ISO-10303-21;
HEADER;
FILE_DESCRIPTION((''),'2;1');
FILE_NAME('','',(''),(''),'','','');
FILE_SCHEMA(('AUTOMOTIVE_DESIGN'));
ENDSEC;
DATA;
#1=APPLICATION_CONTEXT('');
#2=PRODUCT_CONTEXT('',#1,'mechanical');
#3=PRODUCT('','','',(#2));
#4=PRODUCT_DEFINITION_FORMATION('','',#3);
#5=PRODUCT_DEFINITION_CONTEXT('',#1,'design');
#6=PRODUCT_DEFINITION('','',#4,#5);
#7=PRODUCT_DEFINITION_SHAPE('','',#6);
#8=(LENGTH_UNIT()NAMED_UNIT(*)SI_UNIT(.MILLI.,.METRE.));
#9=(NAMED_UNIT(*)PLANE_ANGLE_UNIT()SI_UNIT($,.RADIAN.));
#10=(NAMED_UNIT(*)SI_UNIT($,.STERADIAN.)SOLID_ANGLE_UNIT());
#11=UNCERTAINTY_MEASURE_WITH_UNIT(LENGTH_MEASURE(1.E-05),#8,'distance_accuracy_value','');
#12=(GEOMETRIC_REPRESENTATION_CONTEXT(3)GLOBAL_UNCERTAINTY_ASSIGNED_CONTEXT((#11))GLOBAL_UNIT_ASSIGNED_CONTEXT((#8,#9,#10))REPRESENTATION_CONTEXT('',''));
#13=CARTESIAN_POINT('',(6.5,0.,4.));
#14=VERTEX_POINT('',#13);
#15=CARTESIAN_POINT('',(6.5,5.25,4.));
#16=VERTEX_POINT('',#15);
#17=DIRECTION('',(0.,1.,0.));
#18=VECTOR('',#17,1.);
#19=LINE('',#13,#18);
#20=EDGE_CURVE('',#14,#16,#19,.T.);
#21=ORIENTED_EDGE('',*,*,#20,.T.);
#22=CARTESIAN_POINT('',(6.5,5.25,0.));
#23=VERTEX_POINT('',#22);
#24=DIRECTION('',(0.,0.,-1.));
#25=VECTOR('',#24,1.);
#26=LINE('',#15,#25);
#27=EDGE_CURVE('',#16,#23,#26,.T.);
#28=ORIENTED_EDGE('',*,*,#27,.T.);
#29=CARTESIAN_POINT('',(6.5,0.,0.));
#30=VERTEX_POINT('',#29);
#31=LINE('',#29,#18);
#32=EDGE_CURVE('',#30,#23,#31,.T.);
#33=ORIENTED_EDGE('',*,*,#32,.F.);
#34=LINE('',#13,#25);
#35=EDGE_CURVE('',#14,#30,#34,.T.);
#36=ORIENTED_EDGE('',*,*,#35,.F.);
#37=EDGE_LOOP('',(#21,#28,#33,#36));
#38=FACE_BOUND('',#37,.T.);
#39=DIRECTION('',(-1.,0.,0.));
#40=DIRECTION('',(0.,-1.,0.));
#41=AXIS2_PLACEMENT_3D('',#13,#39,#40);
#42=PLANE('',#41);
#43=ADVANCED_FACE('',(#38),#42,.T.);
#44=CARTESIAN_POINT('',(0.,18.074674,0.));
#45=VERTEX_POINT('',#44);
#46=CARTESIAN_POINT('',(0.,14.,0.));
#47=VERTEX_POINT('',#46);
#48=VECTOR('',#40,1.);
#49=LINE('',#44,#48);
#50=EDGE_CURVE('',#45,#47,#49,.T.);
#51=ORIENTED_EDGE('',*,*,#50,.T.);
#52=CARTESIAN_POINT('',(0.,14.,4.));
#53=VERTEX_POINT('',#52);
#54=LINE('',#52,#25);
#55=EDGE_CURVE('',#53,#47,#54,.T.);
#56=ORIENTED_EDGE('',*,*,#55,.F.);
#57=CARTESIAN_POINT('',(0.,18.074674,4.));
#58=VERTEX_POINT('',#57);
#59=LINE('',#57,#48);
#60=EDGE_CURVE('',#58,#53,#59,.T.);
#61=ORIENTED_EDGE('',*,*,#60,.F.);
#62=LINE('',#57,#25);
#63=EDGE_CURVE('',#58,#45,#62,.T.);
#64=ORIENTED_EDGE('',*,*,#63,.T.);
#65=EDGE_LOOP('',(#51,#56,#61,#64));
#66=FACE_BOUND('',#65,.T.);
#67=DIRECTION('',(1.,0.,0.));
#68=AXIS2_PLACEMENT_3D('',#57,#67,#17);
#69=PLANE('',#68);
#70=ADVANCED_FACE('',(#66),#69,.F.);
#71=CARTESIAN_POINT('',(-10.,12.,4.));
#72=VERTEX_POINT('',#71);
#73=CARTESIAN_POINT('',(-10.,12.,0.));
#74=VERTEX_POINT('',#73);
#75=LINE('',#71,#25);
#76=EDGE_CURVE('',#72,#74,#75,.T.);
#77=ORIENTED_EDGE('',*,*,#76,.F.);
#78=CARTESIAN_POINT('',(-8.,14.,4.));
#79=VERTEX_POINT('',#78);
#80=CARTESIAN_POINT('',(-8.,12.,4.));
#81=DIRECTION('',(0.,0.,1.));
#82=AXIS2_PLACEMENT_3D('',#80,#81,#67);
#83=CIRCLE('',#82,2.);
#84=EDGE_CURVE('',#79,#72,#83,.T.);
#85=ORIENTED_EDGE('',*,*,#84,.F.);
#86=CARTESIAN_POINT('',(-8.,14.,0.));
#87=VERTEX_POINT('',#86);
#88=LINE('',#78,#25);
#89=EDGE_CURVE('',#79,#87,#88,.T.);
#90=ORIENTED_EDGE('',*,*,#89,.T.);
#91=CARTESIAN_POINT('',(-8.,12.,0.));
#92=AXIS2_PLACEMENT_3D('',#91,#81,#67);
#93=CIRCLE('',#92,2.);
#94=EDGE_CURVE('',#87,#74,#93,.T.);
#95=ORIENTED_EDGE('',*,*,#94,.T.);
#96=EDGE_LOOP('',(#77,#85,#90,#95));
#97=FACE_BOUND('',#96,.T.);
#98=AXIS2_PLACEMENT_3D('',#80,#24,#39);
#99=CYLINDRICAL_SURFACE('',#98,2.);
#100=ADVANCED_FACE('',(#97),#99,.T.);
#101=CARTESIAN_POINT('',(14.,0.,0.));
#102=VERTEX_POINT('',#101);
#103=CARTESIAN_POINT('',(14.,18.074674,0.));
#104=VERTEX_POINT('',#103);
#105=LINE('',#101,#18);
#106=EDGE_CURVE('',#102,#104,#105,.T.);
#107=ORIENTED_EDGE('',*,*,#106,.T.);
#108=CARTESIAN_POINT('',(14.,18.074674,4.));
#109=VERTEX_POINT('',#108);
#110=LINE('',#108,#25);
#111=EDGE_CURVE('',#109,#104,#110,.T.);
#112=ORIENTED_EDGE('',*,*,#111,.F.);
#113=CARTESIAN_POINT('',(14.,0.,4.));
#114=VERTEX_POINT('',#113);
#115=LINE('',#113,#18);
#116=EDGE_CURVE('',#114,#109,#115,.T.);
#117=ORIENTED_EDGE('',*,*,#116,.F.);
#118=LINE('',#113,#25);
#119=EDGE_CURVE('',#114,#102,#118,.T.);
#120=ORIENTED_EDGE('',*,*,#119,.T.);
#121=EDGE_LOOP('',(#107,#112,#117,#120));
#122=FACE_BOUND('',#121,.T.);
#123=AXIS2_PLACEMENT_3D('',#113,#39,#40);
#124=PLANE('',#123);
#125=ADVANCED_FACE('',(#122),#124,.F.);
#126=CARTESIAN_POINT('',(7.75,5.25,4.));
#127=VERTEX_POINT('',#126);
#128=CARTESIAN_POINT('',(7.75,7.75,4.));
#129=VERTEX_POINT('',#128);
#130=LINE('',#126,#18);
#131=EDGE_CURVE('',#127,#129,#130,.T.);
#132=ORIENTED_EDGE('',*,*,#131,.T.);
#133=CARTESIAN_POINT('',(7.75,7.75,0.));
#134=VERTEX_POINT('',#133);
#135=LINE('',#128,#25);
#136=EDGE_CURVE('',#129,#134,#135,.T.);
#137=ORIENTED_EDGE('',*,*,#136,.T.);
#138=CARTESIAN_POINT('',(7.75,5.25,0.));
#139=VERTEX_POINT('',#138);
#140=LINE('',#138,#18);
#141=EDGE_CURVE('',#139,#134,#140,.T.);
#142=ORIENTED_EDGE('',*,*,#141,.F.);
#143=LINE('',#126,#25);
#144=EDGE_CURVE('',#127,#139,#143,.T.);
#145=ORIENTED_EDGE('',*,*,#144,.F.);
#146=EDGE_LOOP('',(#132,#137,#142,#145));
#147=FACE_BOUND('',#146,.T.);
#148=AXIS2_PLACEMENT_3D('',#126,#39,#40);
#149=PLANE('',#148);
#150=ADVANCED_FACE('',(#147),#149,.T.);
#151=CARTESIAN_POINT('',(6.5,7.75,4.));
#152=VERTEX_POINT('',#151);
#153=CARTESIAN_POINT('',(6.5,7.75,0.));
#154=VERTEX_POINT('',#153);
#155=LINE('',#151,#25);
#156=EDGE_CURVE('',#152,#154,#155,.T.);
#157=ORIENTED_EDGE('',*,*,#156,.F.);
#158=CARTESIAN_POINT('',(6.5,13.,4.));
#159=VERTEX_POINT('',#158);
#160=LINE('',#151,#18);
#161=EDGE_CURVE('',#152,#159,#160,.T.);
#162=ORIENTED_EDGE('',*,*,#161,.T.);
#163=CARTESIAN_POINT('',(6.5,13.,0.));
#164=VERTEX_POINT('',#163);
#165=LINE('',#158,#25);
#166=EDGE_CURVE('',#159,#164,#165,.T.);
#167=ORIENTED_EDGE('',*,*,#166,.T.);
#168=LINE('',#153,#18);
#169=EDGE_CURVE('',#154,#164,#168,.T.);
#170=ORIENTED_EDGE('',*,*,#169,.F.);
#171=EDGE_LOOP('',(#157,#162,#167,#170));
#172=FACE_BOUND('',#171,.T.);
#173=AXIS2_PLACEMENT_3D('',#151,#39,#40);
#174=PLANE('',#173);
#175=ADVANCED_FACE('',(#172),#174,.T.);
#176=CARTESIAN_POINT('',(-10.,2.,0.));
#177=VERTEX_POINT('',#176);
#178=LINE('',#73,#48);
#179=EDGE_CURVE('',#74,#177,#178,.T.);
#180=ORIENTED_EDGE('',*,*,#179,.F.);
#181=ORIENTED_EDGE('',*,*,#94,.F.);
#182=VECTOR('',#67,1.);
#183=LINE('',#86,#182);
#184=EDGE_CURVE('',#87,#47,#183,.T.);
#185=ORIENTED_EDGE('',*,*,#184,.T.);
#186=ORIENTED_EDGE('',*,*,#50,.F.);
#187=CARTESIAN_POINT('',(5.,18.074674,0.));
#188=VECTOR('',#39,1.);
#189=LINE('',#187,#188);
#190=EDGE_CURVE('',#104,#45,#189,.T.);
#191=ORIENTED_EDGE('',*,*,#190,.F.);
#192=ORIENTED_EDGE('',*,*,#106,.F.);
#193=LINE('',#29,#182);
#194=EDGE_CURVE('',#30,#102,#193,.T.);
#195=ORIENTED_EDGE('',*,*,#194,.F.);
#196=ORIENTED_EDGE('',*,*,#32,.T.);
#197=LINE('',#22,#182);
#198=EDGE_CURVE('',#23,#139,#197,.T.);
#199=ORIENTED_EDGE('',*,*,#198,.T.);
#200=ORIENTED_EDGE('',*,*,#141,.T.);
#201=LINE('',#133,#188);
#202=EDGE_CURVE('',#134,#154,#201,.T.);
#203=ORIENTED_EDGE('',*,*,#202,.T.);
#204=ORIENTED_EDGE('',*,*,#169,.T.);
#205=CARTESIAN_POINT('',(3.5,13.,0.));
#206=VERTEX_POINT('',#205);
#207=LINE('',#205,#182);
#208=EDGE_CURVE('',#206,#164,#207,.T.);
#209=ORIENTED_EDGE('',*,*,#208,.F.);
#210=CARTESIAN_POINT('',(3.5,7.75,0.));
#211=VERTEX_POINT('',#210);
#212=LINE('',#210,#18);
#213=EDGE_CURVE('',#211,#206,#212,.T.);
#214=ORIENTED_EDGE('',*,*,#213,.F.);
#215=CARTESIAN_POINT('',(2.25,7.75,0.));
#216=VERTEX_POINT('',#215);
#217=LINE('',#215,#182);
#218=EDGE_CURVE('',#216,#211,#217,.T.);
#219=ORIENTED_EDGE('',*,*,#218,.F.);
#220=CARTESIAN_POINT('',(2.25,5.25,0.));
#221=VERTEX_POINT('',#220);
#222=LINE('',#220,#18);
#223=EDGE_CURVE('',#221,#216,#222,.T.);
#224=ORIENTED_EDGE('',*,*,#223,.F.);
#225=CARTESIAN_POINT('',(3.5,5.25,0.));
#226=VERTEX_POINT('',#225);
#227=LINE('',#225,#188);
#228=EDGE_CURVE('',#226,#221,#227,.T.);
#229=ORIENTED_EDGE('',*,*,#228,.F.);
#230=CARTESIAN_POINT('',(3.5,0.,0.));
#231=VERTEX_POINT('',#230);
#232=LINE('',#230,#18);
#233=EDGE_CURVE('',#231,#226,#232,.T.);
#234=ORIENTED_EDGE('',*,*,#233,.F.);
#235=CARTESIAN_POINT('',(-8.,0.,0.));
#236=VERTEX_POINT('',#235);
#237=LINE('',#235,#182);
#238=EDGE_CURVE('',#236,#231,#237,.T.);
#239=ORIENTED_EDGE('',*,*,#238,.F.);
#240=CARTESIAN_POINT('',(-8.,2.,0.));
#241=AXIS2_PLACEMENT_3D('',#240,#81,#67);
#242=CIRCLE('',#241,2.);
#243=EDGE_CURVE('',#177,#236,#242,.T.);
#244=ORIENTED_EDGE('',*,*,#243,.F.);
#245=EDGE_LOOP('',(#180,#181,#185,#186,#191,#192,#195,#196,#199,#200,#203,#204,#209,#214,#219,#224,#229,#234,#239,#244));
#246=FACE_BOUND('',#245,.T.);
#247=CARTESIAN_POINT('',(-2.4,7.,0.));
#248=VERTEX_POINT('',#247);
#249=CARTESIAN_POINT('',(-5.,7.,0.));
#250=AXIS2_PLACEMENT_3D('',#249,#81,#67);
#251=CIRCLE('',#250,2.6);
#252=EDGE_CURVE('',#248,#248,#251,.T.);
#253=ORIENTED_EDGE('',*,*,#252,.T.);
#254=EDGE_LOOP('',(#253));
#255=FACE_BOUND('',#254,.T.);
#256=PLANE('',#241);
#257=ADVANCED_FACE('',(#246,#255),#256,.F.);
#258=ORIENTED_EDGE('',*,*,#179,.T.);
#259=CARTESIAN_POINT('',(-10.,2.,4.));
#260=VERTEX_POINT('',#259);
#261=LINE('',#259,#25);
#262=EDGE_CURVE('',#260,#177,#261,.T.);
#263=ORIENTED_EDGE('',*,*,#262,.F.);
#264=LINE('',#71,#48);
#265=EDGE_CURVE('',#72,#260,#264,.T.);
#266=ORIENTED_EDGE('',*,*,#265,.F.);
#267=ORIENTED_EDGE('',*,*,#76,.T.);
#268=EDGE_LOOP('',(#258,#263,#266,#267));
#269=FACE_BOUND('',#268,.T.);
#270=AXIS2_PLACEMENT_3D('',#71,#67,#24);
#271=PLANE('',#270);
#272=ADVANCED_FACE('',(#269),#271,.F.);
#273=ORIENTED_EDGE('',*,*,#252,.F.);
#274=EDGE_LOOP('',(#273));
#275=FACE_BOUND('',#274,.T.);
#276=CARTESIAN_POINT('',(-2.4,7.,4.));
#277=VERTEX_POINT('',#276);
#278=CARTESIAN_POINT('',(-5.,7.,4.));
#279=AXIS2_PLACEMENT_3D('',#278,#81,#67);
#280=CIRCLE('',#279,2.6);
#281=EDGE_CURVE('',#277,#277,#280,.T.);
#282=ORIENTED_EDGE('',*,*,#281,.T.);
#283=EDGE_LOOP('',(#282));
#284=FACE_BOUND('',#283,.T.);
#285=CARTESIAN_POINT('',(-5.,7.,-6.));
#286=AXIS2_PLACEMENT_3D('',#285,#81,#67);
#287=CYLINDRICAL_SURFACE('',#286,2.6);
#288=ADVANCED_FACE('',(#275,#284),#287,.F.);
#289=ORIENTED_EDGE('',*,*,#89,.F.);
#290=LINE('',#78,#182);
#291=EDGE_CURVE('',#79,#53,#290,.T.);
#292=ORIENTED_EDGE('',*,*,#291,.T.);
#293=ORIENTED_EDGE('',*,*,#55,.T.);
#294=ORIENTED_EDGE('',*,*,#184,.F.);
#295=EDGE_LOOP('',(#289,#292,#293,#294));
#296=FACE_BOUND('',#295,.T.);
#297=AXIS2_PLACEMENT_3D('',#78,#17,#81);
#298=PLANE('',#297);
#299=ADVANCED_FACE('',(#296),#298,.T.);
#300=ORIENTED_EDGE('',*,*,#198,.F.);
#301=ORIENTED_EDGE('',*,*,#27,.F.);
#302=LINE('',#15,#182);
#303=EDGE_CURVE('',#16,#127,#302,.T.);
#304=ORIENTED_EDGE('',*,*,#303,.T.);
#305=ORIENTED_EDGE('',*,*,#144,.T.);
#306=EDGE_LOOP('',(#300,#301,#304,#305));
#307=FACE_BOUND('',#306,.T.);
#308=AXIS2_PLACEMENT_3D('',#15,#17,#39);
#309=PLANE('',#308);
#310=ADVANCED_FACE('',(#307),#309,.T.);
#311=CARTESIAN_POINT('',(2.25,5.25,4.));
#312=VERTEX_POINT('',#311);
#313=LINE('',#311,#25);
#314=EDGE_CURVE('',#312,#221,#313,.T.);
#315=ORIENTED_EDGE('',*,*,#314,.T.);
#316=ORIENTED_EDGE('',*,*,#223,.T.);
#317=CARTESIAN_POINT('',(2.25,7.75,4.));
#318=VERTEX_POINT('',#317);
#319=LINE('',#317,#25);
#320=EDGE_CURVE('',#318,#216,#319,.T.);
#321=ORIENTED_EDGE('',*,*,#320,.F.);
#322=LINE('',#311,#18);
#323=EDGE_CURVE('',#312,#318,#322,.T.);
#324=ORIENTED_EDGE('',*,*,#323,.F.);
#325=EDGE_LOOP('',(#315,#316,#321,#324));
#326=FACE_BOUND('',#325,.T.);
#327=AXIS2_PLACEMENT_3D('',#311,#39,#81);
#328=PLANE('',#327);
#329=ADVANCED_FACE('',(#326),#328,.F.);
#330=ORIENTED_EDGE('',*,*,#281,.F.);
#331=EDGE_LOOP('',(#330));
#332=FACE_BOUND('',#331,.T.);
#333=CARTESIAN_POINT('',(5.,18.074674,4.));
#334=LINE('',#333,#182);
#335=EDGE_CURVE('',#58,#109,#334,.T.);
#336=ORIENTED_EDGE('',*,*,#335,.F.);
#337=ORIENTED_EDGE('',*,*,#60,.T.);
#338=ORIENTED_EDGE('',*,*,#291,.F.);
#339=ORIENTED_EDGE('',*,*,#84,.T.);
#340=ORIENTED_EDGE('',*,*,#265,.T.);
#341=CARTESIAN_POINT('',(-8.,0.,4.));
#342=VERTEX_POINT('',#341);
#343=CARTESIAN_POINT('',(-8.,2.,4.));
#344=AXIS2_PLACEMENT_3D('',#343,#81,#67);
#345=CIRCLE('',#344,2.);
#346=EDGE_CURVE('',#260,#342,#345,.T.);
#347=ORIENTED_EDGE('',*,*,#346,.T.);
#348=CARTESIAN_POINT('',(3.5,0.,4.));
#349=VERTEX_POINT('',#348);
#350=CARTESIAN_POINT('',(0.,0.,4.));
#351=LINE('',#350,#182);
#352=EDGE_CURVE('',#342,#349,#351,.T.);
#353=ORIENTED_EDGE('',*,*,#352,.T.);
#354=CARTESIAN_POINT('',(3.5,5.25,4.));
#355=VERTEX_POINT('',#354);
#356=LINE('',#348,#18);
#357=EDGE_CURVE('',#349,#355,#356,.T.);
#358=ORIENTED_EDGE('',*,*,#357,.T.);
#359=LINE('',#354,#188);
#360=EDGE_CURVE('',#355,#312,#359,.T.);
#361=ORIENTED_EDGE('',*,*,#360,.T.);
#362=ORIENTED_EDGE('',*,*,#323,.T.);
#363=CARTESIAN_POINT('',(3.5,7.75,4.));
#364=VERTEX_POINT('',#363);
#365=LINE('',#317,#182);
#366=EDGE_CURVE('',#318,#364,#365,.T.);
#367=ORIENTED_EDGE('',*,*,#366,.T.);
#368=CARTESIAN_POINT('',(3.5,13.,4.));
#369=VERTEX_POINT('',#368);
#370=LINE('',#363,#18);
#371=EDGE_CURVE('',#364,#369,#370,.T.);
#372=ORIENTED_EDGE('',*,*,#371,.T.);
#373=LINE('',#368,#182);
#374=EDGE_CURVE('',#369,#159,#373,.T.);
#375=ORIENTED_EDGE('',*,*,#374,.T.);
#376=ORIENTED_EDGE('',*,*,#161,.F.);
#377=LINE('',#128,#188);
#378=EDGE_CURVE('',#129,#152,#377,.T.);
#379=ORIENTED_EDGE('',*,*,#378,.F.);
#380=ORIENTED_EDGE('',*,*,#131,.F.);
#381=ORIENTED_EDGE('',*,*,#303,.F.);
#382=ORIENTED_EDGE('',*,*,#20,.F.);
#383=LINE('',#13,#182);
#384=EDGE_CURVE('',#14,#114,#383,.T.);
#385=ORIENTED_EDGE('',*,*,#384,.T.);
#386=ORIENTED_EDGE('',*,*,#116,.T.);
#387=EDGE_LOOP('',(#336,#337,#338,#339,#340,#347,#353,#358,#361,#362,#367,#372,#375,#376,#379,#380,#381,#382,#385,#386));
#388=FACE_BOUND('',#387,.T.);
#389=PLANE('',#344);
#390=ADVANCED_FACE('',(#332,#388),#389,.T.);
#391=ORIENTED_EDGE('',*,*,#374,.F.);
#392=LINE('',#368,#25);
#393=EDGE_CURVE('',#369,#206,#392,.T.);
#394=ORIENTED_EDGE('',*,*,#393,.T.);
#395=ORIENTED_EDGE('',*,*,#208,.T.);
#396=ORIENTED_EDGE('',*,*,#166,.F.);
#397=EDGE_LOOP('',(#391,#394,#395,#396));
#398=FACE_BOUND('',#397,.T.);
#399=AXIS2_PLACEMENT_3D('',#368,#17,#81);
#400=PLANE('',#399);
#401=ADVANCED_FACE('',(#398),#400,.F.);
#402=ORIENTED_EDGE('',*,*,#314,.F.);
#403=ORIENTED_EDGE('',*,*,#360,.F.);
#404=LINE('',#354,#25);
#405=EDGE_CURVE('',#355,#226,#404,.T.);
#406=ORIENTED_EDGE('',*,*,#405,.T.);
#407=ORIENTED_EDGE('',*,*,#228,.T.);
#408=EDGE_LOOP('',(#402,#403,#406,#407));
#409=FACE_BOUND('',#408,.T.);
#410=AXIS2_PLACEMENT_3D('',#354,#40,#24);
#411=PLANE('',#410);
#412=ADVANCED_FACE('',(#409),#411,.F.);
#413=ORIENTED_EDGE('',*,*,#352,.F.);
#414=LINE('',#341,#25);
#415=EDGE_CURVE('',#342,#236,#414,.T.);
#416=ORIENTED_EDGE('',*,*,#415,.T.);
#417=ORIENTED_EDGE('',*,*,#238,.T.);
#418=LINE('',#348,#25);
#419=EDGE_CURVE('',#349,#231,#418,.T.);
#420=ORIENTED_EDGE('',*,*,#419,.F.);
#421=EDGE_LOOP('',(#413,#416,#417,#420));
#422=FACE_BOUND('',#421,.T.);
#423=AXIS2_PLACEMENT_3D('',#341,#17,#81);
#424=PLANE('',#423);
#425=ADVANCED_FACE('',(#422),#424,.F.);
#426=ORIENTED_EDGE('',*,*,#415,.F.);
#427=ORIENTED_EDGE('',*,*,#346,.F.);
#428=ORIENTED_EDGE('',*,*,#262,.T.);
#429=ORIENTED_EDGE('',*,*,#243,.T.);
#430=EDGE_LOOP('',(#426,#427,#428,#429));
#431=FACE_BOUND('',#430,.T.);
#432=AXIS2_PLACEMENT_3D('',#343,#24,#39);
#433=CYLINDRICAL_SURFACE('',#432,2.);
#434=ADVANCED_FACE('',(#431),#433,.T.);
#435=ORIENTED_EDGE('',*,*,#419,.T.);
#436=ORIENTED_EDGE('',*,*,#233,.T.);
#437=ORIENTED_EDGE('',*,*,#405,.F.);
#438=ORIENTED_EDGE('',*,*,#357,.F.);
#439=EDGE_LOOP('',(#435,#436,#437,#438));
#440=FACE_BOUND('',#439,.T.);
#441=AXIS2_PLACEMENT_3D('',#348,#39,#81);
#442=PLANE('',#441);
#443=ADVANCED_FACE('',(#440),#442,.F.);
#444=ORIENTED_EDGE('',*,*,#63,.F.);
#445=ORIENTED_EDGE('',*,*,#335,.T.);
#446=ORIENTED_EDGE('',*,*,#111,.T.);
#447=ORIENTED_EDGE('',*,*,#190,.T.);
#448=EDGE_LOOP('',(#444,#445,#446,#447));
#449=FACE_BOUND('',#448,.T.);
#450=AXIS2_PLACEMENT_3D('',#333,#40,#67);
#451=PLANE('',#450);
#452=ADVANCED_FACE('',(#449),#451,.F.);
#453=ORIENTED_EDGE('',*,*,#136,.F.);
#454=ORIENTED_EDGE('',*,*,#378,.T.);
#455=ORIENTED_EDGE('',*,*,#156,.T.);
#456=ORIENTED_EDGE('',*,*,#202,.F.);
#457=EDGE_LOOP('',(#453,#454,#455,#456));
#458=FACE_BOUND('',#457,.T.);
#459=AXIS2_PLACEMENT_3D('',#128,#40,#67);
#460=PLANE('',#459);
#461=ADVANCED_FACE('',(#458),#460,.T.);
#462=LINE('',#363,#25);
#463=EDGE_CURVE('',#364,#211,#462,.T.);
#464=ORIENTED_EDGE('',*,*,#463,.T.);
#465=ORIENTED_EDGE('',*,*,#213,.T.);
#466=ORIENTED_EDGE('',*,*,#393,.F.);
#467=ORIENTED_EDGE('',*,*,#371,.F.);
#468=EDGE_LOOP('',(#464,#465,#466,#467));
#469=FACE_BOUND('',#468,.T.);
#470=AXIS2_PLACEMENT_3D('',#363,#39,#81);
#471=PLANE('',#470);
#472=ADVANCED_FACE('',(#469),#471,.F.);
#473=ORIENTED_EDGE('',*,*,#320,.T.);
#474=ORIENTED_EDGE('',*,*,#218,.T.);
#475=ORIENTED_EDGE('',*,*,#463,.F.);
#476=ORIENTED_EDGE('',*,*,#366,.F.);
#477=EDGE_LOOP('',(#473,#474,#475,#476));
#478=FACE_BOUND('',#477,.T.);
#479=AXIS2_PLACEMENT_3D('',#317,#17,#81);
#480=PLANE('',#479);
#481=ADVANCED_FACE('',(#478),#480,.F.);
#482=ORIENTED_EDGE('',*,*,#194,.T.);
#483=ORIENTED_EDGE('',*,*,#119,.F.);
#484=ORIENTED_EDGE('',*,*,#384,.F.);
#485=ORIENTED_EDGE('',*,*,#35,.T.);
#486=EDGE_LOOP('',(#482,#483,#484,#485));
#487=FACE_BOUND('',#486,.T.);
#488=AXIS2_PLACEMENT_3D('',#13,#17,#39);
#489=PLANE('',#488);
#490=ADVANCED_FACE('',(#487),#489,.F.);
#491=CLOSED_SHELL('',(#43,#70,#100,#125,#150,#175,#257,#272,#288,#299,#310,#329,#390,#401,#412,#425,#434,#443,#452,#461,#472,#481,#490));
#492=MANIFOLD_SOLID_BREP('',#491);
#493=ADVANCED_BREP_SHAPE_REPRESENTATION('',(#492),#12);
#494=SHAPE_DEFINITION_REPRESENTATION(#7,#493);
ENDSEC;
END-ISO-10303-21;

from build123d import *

# Parameters (mm, degrees)
EXTRUDE_1_DEPTH     = 4
SKETCH_2_R          = 2.6
CUT_EXTRUDE_1_DEPTH = 10


with BuildPart() as part:
    # Эскиз1 → Бобышка-Вытянуть1 (new body)
    with BuildSketch(Plane.XY):
        with BuildLine():
            Line((14, 0), (14, 18.074674191))
            Line((14, 18.074674191), (5, 18.074674191))
            Line((5, 18.074674191), (0, 18.074674191))
            Line((0, 18.074674191), (0, 14))
            Line((0, 14), (-8, 14))
            ThreePointArc((-8, 14), (-9.414213562, 13.414213562), (-10, 12))
            Line((-10, 12), (-10, 2))
            ThreePointArc((-10, 2), (-9.414213562, 0.585786438), (-8, 0))
            Line((-8, 0), (0, 0))
            Line((0, 0), (3.5, 0))
            Line((3.5, 0), (3.5, 5.25))
            Line((3.5, 5.25), (2.25, 5.25))
            Line((2.25, 5.25), (2.25, 7.75))
            Line((2.25, 7.75), (3.5, 7.75))
            Line((3.5, 7.75), (3.5, 13))
            Line((3.5, 13), (6.5, 13))
            Line((6.5, 13), (6.5, 7.75))
            Line((6.5, 7.75), (7.75, 7.75))
            Line((7.75, 7.75), (7.75, 5.25))
            Line((7.75, 5.25), (6.5, 5.25))
            Line((6.5, 5.25), (6.5, 0))
            Line((6.5, 0), (14, 0))
        make_face()
    extrude(amount=EXTRUDE_1_DEPTH)

    # Эскиз2 → Вырез-Вытянуть1 (cut)
    with BuildSketch(Plane.XY.offset(4)):
        with Locations((-5, 7)):
            Circle(SKETCH_2_R)
    extrude(amount=-CUT_EXTRUDE_1_DEPTH, mode=Mode.SUBTRACT)


solid = part.part
